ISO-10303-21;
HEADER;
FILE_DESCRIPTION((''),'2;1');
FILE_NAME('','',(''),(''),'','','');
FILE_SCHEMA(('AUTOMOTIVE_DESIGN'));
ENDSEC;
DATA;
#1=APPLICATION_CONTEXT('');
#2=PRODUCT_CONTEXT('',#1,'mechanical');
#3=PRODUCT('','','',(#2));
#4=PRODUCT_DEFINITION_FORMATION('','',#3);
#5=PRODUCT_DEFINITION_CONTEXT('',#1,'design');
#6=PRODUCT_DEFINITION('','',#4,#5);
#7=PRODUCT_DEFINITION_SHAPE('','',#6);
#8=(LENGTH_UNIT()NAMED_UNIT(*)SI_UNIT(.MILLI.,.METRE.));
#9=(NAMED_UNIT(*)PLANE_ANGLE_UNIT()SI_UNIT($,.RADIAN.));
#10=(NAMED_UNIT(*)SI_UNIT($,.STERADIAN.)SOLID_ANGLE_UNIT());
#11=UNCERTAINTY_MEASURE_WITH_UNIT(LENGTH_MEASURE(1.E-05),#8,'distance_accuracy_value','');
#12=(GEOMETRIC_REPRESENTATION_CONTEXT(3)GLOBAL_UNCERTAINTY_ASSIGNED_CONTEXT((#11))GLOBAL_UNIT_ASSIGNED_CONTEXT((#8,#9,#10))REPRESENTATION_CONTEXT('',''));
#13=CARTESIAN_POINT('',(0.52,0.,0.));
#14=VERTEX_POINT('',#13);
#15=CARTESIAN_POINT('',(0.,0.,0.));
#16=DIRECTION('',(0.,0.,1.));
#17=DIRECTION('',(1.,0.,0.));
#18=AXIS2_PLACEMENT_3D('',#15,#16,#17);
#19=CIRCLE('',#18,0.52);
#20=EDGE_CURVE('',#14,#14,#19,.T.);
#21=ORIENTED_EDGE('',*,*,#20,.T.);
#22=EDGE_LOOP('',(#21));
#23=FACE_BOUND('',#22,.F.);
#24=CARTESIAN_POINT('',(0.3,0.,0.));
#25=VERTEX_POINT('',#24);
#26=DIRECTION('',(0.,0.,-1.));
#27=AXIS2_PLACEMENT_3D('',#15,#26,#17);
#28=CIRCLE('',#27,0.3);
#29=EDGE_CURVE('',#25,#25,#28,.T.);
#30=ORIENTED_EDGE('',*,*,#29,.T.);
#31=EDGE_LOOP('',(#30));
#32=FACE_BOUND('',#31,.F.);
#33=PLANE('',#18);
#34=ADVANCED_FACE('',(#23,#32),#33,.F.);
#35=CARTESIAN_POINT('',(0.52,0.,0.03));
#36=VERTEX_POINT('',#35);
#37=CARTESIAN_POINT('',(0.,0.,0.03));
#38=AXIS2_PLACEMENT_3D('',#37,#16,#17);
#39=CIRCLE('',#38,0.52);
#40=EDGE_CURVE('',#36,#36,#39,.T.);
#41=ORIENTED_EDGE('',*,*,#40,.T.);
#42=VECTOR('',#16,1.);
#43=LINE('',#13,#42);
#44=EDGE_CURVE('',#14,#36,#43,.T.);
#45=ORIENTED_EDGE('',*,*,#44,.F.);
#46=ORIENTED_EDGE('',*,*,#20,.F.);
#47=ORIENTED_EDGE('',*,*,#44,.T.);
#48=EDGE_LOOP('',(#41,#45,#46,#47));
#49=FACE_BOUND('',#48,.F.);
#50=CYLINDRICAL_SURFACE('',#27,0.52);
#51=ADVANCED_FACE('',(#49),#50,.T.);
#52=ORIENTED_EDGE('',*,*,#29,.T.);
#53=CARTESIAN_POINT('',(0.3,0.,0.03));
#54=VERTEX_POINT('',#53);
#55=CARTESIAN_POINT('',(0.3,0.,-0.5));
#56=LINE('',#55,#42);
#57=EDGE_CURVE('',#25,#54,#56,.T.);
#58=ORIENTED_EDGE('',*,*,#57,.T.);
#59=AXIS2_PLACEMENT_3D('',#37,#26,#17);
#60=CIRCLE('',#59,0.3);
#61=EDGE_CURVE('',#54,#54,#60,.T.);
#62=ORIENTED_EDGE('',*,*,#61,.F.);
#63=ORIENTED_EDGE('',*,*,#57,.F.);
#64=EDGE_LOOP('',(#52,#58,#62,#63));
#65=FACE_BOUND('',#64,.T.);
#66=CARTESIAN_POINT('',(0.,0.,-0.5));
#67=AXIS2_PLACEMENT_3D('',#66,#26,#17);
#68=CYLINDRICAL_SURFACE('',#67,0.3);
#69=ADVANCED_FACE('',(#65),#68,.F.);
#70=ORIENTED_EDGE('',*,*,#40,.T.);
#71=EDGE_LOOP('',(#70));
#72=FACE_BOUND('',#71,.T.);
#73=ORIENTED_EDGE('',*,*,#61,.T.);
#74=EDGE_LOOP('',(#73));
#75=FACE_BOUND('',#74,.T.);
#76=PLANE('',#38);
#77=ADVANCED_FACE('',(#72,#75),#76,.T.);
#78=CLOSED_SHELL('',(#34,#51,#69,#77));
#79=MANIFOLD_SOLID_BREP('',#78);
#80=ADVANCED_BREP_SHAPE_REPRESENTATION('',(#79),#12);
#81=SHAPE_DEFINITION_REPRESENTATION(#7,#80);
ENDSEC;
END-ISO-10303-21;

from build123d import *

# Parameters (mm, degrees)
CYLINDER001_R     = 0.3
CYLINDER001_DEPTH = 1
CYLINDER_R        = 0.52
CYLINDER_DEPTH    = 0.03


with BuildPart() as cylinder001:
    # Cylinder001 → Cylinder001 (new body)
    with BuildSketch(Plane.XY.offset(-0.5)):
        Circle(CYLINDER001_R)
    extrude(amount=CYLINDER001_DEPTH)


with BuildPart() as tp105p60d:
    # Cylinder → Cylinder (new body)
    with BuildSketch(Plane.XY):
        Circle(CYLINDER_R)
    extrude(amount=CYLINDER_DEPTH)

    # Cut: cut Cylinder001
    add(cylinder001.part, mode=Mode.SUBTRACT)


solid = tp105p60d.part
